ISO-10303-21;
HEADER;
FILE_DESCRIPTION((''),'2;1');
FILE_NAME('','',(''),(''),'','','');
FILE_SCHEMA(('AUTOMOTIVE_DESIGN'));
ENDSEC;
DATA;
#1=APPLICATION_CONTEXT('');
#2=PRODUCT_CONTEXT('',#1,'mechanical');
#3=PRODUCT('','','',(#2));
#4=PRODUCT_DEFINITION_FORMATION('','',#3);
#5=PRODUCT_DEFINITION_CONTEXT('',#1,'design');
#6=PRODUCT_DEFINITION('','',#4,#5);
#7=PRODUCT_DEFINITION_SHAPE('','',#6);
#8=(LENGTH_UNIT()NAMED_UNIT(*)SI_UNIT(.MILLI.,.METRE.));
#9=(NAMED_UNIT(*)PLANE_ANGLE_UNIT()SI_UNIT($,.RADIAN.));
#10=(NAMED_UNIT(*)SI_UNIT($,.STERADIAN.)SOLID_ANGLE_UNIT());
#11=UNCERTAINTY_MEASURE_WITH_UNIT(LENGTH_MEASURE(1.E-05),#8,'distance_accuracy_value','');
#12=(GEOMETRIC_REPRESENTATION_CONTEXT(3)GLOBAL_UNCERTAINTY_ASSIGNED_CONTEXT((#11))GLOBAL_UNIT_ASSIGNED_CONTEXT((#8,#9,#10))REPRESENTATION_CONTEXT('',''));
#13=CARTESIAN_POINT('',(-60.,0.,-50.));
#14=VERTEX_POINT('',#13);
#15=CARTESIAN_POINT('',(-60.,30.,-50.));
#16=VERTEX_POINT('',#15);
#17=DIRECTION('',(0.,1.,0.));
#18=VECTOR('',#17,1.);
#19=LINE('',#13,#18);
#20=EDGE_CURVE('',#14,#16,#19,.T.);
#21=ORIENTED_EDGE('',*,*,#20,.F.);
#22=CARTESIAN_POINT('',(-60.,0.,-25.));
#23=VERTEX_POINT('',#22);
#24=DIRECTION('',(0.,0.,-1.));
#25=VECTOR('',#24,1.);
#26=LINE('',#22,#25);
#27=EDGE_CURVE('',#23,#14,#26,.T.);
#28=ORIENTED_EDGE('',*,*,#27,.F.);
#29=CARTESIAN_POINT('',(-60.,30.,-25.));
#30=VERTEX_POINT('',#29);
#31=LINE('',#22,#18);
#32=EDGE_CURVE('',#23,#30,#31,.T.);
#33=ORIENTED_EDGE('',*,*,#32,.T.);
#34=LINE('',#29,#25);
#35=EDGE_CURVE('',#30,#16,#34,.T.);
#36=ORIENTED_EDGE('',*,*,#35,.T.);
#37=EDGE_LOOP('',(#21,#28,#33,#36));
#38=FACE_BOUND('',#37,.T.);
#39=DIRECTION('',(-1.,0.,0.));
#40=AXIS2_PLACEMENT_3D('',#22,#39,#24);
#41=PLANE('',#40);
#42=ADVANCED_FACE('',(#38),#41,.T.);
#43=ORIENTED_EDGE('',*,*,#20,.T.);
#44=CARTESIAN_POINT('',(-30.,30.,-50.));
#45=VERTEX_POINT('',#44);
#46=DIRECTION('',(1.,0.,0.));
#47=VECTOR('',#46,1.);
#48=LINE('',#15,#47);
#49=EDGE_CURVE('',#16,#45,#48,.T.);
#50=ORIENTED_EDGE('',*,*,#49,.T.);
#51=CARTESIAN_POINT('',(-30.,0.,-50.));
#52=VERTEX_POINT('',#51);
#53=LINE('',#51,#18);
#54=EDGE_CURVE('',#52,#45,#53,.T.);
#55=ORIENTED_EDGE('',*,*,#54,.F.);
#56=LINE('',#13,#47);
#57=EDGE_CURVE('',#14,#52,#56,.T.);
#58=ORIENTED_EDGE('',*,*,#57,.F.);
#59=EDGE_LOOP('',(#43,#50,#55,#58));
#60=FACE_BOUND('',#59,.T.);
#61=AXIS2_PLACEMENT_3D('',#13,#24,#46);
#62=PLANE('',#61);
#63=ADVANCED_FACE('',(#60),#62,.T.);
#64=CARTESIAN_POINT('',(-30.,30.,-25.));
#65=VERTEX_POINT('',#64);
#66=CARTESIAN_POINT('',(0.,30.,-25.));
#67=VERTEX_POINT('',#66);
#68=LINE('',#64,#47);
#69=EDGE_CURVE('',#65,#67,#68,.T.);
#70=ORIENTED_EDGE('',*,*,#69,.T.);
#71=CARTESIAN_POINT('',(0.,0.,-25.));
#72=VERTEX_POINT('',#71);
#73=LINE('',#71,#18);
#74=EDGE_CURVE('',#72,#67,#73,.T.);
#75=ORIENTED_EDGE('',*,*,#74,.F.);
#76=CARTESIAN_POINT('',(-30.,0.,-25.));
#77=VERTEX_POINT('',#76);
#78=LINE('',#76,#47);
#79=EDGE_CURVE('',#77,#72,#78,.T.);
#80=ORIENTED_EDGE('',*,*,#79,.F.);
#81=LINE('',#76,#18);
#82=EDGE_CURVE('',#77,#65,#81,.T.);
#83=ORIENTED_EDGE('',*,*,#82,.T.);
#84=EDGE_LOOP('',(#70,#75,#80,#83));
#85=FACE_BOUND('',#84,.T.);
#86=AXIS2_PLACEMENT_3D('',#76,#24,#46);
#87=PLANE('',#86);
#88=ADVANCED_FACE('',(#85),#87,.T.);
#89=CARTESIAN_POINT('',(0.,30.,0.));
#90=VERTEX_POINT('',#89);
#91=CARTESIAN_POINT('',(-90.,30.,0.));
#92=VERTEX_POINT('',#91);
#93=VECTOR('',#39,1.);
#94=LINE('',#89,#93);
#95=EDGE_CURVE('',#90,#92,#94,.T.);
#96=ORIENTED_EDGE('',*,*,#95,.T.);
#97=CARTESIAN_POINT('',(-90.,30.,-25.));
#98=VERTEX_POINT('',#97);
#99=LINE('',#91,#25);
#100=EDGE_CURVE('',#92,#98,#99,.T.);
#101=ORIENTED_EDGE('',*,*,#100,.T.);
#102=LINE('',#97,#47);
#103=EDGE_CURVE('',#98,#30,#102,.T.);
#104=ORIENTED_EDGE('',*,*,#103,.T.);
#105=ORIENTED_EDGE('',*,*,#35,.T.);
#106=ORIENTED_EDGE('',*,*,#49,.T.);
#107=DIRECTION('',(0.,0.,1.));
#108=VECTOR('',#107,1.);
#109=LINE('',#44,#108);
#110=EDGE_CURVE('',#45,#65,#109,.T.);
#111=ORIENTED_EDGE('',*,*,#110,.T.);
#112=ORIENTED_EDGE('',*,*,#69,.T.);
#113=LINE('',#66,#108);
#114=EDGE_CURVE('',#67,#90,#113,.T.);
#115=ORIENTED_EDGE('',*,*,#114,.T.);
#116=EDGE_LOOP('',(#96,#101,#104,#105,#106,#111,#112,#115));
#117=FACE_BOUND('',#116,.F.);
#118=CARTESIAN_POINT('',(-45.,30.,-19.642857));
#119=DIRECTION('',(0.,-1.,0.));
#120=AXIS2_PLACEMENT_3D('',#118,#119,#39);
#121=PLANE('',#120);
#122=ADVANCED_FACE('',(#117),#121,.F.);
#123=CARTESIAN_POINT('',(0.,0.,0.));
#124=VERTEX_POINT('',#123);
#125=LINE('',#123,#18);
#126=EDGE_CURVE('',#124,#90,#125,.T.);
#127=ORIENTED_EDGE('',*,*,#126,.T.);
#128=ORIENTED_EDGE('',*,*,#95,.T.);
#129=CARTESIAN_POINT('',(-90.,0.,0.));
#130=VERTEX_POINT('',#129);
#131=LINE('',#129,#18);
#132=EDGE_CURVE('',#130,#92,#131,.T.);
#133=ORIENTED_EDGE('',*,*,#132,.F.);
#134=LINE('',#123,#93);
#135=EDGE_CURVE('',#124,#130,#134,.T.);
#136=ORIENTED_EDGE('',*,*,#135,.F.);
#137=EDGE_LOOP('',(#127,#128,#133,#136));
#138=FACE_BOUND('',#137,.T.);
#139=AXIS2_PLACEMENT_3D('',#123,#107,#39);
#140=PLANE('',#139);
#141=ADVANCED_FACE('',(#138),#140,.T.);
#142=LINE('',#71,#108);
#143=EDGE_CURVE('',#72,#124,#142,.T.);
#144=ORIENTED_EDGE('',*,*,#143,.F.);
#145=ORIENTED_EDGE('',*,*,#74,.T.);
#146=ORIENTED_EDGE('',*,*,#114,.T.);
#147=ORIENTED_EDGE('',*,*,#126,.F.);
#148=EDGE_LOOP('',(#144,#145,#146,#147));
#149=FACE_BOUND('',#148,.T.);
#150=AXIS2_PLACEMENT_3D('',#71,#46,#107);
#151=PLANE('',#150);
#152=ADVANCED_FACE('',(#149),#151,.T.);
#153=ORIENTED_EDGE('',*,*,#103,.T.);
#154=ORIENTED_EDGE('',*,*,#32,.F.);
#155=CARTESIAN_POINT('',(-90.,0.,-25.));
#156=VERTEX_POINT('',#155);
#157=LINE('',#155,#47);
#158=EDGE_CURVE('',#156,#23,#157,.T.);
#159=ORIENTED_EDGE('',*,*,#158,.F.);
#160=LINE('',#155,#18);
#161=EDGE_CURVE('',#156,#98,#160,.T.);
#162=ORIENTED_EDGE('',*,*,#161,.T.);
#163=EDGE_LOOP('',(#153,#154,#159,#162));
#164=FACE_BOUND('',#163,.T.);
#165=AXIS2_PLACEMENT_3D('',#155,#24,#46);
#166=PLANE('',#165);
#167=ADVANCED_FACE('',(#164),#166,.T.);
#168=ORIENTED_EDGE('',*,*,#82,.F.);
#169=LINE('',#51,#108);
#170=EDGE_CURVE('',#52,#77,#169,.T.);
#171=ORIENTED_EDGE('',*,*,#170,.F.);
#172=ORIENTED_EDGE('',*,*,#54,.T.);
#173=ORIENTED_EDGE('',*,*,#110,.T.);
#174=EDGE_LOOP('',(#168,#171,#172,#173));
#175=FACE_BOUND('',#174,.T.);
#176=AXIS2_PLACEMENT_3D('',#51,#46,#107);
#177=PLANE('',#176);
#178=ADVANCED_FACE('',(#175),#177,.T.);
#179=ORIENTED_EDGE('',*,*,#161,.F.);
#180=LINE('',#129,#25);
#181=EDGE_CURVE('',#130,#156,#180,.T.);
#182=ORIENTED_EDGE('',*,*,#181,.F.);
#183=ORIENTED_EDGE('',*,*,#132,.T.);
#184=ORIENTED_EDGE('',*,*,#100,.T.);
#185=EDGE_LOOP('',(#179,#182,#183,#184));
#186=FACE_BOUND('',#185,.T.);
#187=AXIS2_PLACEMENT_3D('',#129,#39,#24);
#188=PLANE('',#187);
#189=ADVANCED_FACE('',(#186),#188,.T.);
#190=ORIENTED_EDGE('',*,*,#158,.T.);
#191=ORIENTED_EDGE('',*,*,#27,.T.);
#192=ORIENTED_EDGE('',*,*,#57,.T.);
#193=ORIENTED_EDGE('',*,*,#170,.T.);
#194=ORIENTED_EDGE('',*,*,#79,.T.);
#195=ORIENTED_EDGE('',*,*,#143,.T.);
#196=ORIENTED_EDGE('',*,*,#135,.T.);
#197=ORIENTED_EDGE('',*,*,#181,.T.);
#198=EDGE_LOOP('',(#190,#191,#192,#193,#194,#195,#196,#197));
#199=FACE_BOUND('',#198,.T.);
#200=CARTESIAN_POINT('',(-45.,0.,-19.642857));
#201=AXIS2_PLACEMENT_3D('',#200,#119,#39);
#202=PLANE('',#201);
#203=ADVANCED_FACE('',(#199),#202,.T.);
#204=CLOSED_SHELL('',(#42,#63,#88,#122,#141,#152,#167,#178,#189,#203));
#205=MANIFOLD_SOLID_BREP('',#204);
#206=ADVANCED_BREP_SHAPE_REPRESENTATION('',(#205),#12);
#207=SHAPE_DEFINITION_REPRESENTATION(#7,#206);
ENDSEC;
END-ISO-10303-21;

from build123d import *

# Parameters (mm, degrees)
BOSS_EXTRUDE1_DEPTH = 30


with BuildPart() as part:
    # Sketch1 → Boss-Extrude1 (new body)
    with BuildSketch(Plane(origin=(0, 0, 0), x_dir=(1, 0, 0), z_dir=(0, 1, 0))):
        Polygon((0, 0), (-90, 0), (-90, 25), (-60, 25), (-60, 50), (-30, 50), (-30, 25), (0, 25), align=None)
    extrude(amount=BOSS_EXTRUDE1_DEPTH)


solid = part.part
